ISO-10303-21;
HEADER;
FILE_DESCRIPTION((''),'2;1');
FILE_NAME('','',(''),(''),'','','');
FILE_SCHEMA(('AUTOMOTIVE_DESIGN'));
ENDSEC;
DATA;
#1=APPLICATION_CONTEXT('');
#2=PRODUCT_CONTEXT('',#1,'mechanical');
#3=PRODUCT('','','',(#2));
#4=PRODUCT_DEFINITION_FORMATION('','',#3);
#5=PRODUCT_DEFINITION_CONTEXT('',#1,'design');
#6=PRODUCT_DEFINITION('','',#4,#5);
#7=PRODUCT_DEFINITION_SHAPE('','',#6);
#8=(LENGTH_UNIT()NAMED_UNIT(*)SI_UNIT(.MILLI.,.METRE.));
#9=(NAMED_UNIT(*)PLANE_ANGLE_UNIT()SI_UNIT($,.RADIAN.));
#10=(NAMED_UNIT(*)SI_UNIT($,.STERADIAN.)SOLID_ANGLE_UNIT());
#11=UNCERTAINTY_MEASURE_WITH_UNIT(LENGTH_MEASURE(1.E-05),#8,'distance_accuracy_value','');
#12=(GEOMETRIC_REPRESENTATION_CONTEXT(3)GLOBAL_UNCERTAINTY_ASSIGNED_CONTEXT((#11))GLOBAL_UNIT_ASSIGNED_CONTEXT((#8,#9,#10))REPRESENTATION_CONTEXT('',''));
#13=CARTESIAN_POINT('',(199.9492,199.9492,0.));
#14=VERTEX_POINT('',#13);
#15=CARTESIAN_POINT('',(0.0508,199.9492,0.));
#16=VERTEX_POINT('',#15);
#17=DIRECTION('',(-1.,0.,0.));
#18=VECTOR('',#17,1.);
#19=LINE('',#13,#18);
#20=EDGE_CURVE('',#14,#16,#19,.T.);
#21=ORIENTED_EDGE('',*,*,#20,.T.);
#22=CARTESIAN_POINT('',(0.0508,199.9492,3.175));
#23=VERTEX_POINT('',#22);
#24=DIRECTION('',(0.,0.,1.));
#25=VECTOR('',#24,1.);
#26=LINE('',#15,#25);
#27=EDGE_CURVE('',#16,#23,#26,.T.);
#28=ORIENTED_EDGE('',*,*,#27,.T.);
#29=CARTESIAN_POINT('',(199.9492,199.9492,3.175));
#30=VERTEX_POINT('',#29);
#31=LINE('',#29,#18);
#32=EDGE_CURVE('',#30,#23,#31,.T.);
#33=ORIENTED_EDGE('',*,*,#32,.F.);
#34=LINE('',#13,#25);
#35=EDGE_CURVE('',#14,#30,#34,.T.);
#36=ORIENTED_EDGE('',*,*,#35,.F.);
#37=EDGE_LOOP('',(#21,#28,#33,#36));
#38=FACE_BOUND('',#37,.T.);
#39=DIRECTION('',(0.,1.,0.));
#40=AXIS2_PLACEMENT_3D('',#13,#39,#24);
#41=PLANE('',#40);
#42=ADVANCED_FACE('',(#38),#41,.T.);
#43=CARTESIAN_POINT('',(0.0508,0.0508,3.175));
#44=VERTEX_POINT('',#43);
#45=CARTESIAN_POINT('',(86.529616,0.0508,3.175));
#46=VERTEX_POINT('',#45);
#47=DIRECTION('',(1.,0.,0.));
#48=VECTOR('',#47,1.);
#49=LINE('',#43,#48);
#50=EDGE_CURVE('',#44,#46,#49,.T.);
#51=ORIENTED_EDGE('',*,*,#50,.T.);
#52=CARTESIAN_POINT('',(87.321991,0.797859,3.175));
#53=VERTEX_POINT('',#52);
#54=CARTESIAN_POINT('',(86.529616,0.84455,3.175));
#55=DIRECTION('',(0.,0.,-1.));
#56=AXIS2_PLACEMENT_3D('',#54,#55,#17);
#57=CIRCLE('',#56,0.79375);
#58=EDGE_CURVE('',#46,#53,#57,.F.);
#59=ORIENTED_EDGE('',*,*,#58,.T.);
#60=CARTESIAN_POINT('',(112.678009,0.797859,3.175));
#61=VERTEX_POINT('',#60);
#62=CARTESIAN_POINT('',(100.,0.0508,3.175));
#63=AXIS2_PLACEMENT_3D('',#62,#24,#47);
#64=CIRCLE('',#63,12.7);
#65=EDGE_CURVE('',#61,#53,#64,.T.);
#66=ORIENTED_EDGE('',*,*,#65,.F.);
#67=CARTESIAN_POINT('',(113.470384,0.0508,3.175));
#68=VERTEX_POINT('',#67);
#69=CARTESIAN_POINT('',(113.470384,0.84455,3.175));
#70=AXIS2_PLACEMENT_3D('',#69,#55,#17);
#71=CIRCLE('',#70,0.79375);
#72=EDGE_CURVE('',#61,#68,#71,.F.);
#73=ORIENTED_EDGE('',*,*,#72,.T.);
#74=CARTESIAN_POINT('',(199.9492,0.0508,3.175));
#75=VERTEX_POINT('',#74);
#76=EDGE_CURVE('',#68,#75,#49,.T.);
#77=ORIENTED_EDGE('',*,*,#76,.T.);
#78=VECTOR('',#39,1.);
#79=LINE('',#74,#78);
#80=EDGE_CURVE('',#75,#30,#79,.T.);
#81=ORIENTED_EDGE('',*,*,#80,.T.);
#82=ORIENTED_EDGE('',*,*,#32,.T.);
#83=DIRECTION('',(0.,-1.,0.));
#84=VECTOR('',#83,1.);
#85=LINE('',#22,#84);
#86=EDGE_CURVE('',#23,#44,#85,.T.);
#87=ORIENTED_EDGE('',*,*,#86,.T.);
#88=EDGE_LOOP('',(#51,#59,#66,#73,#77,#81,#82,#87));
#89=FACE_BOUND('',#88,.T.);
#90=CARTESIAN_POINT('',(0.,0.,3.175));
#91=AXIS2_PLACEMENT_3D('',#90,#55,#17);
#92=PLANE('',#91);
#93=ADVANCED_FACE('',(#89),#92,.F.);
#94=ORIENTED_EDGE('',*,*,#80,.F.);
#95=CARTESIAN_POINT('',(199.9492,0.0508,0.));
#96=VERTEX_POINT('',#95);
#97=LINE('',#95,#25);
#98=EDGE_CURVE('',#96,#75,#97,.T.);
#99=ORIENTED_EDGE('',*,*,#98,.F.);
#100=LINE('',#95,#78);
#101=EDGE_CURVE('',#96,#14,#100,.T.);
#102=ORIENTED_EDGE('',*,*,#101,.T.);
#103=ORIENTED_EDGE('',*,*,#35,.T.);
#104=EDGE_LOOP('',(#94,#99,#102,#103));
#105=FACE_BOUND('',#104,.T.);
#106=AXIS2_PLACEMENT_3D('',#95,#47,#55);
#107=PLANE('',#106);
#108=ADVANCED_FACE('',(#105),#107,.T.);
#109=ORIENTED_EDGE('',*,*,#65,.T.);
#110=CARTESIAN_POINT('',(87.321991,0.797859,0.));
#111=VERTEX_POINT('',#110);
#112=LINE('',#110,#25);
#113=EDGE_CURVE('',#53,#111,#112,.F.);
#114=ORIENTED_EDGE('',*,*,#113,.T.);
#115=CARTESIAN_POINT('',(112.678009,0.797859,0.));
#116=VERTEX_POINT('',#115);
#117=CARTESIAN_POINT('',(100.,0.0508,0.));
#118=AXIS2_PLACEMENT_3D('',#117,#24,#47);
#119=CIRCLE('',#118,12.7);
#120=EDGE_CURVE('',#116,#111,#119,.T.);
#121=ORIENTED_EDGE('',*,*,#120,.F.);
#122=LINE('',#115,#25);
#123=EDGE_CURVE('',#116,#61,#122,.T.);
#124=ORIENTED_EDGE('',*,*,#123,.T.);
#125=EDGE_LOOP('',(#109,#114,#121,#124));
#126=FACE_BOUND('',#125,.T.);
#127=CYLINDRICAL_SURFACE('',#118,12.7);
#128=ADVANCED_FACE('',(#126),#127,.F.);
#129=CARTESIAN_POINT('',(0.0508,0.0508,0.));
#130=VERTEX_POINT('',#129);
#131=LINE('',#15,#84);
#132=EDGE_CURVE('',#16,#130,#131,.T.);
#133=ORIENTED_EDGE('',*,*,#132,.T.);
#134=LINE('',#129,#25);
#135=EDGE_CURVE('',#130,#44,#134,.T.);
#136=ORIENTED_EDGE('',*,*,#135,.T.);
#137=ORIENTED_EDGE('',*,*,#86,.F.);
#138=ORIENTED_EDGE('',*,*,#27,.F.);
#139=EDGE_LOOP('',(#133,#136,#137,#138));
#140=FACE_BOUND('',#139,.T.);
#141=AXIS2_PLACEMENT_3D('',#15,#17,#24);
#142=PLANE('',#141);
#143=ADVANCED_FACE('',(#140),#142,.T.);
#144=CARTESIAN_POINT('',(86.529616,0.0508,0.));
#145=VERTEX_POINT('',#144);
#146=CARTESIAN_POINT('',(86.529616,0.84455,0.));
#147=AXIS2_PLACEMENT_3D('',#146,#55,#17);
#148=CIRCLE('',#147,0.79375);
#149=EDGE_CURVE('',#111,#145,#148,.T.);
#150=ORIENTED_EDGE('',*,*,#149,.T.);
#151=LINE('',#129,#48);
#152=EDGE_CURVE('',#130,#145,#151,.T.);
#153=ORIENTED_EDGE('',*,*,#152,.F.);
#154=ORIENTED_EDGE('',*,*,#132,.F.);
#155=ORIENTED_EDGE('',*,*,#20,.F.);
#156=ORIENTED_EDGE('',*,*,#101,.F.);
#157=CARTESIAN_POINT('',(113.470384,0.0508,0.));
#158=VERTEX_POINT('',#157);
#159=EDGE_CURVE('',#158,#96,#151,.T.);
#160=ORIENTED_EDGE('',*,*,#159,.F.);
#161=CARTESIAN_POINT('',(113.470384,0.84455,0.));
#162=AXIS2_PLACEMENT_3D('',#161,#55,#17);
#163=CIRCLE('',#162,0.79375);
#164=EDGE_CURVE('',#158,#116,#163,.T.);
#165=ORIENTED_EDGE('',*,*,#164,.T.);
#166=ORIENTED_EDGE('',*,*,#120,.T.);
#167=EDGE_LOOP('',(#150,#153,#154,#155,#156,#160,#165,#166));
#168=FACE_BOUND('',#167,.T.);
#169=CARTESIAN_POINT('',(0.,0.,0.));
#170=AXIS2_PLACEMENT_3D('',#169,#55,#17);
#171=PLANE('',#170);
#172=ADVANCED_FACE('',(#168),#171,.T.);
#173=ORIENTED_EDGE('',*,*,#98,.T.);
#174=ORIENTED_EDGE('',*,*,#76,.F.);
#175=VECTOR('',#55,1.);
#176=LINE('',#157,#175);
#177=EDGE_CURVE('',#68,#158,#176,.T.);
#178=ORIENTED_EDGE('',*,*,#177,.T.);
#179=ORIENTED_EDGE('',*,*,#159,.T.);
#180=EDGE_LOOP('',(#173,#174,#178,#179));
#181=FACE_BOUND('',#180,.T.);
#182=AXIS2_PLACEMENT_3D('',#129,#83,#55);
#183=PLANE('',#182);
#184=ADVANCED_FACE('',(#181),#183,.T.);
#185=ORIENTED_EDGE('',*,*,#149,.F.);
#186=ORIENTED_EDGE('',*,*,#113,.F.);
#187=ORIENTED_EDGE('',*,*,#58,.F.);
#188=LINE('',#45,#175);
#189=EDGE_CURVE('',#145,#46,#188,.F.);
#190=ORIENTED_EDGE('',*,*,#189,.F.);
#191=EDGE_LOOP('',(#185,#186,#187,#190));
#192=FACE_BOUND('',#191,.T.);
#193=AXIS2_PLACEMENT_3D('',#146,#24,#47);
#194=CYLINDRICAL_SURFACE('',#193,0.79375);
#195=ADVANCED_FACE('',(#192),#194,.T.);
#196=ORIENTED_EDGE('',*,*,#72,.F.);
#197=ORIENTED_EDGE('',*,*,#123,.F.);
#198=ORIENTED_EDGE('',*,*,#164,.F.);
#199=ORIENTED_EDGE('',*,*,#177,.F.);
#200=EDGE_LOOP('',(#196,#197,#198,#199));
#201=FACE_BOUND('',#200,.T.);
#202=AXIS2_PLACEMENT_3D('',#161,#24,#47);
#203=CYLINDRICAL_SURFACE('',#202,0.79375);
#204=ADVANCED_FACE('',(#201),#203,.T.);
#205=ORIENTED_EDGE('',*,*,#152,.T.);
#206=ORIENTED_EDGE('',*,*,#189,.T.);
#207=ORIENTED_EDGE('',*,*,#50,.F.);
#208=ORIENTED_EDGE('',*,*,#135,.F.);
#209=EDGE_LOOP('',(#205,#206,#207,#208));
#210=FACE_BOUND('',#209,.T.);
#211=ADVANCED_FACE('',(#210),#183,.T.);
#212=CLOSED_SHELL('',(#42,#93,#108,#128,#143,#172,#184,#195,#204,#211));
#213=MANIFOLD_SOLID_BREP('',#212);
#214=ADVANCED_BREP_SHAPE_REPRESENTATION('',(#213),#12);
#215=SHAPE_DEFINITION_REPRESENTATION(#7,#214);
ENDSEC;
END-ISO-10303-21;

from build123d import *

# Parameters (mm, degrees)
SKETCH1_W           = 200
SKETCH1_H           = 200
BOSS_EXTRUDE1_DEPTH = 3.175
SKETCH5_W           = 200
SKETCH5_H           = 200
SKETCH5_W_2         = 199.8984
SKETCH5_H_2         = 199.8984
CUT_EXTRUDE2_DEPTH  = 283.860532109
CUT_EXTRUDE1_DEPTH  = 3.175
FILLET1_R           = 0.79375


with BuildPart() as part:
    # Sketch1 → Boss-Extrude1 (new body)
    with BuildSketch(Plane.XY):
        with Locations((100, 100)):
            Rectangle(SKETCH1_W, SKETCH1_H)
    extrude(amount=BOSS_EXTRUDE1_DEPTH)

    # Sketch5 → Cut-Extrude2 (cut, through all)
    with BuildSketch(Plane.XY.offset(3.175)):
        with Locations((100, 100)):
            Rectangle(SKETCH5_W, SKETCH5_H)
        with Locations((100, 100)):
            Rectangle(SKETCH5_W_2, SKETCH5_H_2, mode=Mode.SUBTRACT)
    extrude(amount=-CUT_EXTRUDE2_DEPTH, mode=Mode.SUBTRACT)

    # Sketch2 → Cut-Extrude1 (cut)
    with BuildSketch(Plane.XY.offset(3.175)):
        with BuildLine():
            Line((87.3, 0.0508), (112.7, 0.0508))
            ThreePointArc((112.7, 0.0508), (100, 12.7508), (87.3, 0.0508))
        make_face()
    extrude(amount=-CUT_EXTRUDE1_DEPTH, mode=Mode.SUBTRACT)

    # Fillet1
    fillet1_edges = [part.edges().sort_by_distance(p)[0] for p in [
        (87.3, 0.0508, 1.5875),
        (112.7, 0.0508, 1.5875),
    ]]
    fillet(fillet1_edges, radius=FILLET1_R)


solid = part.part
